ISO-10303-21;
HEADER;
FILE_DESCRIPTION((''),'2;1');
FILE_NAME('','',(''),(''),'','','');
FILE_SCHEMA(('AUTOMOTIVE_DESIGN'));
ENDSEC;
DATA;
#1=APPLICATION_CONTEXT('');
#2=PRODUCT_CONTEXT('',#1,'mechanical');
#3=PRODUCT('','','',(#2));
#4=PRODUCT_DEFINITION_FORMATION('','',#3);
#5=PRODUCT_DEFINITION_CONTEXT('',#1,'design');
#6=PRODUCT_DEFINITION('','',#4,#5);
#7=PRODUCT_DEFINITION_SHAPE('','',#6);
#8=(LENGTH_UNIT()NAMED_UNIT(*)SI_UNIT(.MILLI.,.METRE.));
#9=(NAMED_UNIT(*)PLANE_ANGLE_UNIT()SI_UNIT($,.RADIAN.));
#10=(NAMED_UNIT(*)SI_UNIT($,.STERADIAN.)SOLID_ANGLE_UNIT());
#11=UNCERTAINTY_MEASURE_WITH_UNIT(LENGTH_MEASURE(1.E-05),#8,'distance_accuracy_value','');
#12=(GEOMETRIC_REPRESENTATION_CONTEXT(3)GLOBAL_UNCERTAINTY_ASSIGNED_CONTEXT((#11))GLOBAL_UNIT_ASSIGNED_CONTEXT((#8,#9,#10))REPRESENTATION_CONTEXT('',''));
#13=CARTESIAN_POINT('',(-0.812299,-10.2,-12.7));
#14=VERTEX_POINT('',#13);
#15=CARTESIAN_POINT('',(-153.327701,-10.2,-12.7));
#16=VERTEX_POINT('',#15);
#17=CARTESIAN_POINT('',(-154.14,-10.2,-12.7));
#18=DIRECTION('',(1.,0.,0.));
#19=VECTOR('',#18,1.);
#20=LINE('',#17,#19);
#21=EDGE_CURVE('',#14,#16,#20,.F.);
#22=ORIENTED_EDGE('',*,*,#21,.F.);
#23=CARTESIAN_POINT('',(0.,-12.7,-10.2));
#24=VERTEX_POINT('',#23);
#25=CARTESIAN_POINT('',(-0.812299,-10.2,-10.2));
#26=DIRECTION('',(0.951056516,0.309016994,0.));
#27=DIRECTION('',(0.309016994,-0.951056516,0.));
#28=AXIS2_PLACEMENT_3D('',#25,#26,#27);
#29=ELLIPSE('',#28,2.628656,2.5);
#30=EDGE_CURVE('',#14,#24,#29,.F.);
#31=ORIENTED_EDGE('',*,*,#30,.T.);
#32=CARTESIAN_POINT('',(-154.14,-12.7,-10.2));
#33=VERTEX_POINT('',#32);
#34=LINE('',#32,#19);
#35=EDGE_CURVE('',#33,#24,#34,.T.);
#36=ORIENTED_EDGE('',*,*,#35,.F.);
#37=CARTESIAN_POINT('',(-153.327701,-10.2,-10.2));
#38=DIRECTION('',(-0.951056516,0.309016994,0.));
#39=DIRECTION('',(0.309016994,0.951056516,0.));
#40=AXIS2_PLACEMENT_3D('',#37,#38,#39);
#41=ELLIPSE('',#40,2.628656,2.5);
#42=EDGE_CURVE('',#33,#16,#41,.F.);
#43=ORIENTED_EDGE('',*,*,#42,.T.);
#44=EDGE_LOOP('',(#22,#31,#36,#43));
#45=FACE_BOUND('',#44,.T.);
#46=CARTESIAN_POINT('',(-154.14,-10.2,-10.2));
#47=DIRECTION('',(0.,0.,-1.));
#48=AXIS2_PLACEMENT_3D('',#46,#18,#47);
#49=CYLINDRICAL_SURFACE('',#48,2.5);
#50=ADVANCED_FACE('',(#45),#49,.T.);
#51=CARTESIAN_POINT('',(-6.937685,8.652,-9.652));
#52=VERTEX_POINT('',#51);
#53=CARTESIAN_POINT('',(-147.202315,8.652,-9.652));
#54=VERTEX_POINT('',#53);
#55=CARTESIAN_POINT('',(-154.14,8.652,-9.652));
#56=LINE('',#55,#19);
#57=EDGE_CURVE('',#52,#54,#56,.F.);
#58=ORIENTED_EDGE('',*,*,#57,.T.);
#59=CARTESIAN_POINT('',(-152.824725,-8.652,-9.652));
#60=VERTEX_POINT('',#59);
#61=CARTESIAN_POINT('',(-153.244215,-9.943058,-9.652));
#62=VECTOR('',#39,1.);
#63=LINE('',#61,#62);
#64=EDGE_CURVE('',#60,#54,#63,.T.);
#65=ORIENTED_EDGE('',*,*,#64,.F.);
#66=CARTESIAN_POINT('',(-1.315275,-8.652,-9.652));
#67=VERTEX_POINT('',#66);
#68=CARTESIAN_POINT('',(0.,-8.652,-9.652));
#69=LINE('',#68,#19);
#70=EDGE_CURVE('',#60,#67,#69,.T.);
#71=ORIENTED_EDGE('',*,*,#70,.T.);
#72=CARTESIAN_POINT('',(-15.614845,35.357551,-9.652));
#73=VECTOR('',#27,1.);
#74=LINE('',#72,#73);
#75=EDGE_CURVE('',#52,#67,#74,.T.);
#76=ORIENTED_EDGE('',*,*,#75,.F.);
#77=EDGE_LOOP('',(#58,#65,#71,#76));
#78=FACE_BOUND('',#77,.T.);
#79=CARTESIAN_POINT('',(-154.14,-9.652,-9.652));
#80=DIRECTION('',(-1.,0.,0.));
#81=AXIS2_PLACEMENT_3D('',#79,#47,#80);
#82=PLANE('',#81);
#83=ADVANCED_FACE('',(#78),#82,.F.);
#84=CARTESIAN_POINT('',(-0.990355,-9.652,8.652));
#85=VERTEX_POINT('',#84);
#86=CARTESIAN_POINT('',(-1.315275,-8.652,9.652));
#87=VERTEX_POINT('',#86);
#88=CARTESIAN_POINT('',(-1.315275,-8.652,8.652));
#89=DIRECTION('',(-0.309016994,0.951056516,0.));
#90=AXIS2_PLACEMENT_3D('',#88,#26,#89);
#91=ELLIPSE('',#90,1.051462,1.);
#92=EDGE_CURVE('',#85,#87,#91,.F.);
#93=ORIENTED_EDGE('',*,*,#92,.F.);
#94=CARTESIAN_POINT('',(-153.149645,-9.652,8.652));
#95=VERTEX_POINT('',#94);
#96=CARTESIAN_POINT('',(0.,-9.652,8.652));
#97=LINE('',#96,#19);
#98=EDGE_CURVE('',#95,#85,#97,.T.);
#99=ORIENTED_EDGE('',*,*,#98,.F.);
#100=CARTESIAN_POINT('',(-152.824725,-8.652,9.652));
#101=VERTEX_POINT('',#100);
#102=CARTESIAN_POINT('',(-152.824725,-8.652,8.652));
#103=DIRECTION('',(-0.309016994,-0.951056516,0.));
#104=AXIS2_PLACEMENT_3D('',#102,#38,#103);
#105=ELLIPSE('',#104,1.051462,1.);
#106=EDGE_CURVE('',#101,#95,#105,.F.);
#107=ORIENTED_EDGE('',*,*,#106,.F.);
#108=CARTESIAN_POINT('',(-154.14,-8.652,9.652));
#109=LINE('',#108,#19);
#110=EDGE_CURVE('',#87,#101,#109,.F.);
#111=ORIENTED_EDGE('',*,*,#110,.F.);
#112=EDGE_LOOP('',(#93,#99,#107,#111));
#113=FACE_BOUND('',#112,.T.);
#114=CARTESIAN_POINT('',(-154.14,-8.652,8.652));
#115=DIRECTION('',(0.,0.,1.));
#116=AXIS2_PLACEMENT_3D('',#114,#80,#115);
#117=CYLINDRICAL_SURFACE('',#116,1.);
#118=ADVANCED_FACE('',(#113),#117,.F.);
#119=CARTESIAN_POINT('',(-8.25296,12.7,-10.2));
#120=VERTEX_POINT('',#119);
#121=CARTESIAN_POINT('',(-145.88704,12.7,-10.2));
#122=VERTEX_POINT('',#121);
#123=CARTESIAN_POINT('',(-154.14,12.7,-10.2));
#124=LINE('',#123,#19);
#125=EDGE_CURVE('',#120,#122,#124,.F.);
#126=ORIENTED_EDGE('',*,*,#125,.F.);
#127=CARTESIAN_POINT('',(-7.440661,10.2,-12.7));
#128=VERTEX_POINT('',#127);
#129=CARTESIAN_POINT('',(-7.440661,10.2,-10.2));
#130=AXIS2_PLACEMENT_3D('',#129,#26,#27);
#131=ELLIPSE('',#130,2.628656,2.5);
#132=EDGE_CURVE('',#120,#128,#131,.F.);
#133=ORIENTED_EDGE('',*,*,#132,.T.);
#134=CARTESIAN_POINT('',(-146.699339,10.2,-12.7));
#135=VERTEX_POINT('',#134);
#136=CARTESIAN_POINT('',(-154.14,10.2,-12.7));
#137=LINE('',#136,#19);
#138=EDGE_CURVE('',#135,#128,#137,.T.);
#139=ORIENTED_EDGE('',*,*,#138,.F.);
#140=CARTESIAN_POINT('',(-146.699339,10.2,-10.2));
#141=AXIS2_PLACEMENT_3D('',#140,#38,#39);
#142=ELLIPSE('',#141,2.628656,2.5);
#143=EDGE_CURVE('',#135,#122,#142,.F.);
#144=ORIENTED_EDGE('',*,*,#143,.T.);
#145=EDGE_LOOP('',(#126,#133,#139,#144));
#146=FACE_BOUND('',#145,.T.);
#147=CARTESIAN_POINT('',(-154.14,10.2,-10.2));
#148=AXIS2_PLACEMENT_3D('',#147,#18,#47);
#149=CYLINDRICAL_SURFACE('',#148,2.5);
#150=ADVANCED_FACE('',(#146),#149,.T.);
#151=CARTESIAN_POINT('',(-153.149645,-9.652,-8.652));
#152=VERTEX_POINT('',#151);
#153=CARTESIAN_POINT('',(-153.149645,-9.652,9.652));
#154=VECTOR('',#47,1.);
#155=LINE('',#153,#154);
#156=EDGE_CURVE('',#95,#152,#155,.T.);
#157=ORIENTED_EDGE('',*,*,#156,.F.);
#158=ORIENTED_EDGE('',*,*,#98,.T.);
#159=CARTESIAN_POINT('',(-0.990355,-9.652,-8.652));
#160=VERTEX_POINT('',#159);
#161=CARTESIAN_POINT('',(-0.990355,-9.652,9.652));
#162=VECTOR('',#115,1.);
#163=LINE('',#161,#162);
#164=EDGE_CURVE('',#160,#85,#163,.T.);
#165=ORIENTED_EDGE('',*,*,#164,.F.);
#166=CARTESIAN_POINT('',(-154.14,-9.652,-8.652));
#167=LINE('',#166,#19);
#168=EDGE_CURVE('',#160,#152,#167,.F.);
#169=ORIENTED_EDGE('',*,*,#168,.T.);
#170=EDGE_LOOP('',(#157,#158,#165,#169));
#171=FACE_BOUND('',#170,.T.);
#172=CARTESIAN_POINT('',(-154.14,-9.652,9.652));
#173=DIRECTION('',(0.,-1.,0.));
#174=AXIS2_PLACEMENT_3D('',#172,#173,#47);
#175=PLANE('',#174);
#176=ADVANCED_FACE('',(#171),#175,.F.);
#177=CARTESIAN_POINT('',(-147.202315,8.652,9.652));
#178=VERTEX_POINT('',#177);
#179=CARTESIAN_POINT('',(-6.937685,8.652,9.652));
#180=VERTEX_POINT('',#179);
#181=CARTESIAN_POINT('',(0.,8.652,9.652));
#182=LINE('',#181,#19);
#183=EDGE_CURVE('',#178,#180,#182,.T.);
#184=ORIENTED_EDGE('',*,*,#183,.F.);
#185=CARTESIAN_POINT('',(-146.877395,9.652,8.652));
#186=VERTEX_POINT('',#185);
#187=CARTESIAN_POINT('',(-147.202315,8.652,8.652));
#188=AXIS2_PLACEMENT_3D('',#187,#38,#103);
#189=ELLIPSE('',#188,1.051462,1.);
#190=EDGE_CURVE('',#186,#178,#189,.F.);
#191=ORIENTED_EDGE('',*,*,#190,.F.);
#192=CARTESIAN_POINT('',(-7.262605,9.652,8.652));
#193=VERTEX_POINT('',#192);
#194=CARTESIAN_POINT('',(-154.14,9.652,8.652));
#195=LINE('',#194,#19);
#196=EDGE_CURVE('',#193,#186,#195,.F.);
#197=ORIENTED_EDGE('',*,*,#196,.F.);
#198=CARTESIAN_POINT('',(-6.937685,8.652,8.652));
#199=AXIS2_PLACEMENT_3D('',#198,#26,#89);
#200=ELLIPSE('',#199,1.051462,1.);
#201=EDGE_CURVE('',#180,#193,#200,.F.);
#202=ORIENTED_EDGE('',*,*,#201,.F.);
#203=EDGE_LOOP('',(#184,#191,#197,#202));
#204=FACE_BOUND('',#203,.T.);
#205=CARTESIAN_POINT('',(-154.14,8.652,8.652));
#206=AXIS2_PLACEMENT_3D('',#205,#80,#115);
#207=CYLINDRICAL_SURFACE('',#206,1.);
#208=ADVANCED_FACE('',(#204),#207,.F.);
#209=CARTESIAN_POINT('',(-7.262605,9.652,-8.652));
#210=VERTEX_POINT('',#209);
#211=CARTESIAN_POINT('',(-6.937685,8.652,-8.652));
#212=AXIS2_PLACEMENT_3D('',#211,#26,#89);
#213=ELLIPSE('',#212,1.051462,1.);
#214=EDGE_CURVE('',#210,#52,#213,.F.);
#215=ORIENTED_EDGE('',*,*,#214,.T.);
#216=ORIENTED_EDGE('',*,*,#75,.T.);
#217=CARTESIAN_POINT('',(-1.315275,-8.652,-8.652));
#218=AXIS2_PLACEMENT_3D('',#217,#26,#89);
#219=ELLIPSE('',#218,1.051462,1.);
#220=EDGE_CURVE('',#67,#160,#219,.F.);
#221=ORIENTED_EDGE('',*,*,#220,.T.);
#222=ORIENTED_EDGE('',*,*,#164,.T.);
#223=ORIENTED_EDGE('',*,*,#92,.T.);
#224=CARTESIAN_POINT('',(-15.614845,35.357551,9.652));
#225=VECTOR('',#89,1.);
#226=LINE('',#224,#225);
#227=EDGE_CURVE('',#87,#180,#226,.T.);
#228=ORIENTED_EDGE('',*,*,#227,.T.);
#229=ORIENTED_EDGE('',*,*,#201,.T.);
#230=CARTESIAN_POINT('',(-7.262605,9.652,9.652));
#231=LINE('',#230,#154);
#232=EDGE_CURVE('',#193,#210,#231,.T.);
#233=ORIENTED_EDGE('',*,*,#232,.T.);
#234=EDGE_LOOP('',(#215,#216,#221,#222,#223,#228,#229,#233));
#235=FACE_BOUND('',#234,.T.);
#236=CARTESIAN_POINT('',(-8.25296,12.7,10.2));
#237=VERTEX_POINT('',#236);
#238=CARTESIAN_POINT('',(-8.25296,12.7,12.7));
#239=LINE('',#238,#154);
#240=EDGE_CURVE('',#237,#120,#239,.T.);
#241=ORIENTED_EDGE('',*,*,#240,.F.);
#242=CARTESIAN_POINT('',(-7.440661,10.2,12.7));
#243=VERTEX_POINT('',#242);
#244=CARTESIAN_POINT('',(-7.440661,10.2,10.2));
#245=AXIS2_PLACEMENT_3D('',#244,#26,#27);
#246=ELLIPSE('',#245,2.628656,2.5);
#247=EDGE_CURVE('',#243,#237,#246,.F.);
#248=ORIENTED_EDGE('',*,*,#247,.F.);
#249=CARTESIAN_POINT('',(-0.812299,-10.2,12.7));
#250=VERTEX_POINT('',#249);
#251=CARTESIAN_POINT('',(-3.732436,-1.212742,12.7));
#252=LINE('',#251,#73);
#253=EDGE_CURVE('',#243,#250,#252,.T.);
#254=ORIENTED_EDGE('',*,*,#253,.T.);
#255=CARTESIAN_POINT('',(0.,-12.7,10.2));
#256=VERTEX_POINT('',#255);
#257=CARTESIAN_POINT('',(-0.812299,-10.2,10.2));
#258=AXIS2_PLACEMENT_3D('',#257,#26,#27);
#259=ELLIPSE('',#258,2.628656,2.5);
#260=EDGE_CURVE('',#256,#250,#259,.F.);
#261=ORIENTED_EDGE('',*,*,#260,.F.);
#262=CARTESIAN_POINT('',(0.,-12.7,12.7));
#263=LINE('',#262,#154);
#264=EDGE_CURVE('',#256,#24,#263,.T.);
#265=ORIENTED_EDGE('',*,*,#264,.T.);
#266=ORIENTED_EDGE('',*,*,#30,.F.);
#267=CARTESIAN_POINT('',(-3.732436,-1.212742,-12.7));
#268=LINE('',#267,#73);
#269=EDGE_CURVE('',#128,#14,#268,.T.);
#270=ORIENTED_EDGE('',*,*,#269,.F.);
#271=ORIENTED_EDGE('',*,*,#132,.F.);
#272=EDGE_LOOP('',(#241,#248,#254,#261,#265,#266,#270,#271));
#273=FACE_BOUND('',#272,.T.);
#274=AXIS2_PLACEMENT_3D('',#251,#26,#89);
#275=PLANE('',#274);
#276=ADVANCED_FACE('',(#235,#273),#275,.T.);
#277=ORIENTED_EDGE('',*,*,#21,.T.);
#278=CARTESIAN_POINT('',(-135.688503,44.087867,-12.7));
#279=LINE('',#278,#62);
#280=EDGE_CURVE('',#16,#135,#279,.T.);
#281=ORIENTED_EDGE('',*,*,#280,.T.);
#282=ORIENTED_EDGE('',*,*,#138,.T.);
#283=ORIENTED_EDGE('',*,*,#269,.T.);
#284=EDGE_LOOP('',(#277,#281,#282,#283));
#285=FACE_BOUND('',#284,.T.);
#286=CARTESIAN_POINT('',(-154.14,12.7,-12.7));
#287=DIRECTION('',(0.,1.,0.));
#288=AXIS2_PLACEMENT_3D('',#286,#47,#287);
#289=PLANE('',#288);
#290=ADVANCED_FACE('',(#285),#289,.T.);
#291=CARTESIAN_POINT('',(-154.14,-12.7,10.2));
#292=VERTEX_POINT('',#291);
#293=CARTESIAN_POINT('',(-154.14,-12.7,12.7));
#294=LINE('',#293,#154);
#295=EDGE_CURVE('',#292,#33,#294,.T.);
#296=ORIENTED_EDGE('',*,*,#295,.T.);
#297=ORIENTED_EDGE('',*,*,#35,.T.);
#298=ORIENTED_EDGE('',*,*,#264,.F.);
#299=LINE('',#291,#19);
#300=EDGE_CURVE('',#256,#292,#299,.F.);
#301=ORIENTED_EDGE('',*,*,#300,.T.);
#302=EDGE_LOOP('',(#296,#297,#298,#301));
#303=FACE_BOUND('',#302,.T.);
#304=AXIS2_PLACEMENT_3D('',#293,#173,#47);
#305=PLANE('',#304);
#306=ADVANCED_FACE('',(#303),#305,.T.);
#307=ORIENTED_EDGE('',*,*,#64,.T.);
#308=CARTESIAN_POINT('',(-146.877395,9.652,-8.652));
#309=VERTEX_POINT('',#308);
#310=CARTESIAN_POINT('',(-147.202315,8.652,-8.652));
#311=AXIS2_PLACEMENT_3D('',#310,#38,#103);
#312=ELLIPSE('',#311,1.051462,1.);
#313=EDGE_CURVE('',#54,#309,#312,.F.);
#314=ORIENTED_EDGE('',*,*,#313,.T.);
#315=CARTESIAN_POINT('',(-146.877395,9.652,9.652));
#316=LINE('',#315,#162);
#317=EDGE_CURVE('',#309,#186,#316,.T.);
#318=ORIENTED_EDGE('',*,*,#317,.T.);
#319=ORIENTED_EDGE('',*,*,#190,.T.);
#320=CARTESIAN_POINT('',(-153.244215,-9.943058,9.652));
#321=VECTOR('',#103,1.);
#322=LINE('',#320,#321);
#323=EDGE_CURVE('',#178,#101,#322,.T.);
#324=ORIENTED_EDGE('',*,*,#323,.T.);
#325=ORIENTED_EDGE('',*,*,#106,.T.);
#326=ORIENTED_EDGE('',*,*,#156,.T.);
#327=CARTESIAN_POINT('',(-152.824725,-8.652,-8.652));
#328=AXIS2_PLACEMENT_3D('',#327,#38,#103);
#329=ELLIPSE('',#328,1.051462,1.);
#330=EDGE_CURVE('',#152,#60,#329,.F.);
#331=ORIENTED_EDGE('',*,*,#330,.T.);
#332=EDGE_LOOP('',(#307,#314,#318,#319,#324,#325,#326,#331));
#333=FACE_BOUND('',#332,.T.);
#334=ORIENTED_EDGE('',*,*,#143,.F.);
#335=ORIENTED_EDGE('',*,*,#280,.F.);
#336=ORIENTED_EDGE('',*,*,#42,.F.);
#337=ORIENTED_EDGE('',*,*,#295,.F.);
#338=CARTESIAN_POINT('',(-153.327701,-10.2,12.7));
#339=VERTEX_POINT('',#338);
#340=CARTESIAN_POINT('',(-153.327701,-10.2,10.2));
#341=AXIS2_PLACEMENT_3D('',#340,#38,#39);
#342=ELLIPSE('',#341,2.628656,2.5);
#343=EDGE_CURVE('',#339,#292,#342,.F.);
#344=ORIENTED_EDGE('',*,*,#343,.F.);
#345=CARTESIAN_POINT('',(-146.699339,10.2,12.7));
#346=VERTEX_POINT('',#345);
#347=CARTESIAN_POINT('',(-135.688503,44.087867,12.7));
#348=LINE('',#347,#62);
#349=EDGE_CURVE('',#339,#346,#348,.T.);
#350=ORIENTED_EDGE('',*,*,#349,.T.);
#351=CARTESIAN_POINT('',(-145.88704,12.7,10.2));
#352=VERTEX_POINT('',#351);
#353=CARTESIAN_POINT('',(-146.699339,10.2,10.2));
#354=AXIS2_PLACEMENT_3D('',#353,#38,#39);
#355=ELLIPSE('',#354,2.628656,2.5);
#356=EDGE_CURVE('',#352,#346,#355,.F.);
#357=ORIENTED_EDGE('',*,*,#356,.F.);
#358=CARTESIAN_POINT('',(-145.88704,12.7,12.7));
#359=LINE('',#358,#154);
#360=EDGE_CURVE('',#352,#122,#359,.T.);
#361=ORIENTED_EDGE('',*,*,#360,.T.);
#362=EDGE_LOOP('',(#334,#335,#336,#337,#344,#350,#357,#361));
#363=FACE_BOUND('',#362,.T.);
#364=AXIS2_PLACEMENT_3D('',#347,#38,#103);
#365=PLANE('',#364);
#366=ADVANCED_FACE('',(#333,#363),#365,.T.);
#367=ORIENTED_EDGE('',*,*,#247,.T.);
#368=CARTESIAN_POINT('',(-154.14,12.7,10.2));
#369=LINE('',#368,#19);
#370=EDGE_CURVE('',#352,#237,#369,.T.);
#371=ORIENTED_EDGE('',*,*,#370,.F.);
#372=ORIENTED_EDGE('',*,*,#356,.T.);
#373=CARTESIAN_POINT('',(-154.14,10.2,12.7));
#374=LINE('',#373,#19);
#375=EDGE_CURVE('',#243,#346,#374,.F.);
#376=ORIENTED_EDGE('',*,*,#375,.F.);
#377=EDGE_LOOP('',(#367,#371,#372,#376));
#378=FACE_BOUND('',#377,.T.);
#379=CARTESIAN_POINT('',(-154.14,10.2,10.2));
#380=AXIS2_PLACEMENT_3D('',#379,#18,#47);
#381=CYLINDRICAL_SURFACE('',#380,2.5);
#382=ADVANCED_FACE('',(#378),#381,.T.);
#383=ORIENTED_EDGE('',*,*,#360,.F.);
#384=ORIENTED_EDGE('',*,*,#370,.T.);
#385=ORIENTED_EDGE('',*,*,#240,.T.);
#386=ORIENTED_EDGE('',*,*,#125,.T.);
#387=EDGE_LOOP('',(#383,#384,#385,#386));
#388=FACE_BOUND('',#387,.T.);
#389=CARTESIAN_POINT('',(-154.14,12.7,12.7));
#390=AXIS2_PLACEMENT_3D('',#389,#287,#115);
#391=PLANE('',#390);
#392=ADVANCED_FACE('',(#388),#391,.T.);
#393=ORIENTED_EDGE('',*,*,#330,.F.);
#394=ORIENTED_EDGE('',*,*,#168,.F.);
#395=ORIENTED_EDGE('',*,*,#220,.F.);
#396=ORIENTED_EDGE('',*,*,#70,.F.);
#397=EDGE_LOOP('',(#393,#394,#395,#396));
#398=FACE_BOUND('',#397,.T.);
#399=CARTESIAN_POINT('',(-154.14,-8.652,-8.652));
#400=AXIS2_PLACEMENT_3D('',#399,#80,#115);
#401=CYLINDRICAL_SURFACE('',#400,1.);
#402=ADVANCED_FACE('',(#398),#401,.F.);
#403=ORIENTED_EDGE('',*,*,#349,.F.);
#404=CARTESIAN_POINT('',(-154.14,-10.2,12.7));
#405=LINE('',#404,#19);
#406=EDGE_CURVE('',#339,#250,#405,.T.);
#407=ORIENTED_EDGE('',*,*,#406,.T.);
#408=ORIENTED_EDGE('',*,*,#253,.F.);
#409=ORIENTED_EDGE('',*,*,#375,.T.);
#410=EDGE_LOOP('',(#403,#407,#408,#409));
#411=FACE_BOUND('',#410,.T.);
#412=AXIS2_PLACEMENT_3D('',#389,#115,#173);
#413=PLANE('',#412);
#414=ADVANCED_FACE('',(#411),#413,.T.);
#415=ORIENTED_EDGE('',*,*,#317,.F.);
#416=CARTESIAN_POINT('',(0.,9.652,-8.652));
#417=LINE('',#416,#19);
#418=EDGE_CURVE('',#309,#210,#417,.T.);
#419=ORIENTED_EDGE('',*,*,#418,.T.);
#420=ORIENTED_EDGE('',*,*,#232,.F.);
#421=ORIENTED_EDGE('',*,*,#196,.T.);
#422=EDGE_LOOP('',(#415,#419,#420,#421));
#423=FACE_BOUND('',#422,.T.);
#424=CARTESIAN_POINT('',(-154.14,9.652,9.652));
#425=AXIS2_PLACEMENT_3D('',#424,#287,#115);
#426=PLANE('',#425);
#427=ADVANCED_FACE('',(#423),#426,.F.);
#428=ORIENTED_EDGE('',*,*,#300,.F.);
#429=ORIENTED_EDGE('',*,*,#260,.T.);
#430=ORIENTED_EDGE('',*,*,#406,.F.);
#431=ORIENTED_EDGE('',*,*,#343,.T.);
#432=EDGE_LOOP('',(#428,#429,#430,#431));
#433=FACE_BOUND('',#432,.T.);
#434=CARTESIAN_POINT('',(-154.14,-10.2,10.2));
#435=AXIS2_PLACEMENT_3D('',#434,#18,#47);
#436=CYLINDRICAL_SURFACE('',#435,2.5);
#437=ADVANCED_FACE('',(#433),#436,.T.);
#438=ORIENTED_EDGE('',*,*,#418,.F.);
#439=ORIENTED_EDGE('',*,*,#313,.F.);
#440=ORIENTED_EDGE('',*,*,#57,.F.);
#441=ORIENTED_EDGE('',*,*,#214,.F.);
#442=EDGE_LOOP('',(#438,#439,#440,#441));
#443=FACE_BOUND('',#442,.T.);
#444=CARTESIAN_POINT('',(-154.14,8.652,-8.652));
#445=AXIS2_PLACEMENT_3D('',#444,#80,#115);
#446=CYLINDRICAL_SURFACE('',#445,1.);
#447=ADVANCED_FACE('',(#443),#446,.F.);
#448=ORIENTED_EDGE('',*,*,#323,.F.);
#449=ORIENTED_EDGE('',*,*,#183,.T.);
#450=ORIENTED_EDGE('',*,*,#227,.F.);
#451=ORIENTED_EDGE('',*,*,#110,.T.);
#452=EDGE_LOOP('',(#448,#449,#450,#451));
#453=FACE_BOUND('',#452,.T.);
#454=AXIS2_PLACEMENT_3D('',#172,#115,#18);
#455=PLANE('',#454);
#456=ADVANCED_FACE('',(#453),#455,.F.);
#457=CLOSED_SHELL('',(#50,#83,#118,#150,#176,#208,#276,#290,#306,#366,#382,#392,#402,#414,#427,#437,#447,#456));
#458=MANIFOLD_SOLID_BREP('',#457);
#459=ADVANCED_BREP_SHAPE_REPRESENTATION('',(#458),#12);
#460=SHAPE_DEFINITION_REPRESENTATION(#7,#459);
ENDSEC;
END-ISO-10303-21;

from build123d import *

# Parameters (mm, degrees)
SKETCH3_W           = 25.4
SKETCH3_H           = 25.4
SKETCH3_W_2         = 19.304
SKETCH3_H_2         = 19.304
BOSS_EXTRUDE1_DEPTH = 154.14
FILLET1_R           = 2.5
FILLET2_R           = 1
CUT_EXTRUDE2_DEPTH  = 157.734136677


with BuildPart() as part:
    # Sketch3 → Boss-Extrude1 (new body)
    with BuildSketch(Plane(origin=(0, 0, 0), x_dir=(0, 0, -1), z_dir=(1, 0, 0))):
        Rectangle(SKETCH3_W, SKETCH3_H)
        Rectangle(SKETCH3_W_2, SKETCH3_H_2, mode=Mode.SUBTRACT)
    extrude(amount=-BOSS_EXTRUDE1_DEPTH)

    # Fillet1
    fillet1_edges = [part.edges().sort_by_distance(p)[0] for p in [
        (-77.07, -12.7, -12.7),
        (-77.07, -12.7, 12.7),
        (-77.07, 12.7, 12.7),
        (-77.07, 12.7, -12.7),
    ]]
    fillet(fillet1_edges, radius=FILLET1_R)

    # Fillet2
    fillet2_edges = [part.edges().sort_by_distance(p)[0] for p in [
        (-77.07, 9.652, -9.652),
        (-77.07, -9.652, -9.652),
        (-77.07, -9.652, 9.652),
        (-77.07, 9.652, 9.652),
    ]]
    fillet(fillet2_edges, radius=FILLET2_R)

    # Sketch5 → Cut-Extrude2 (cut, through all)
    with BuildSketch(Plane(origin=(0, 0, -12.7), x_dir=(-1, 0, 0), z_dir=(0, 0, -1))):
        Polygon((0, 10.2), (7.440661044, 10.2), (8.252960284, 12.7), (0, 12.7), align=None)
        Polygon((0.812299241, -10.2), (7.440661044, 10.2), (0, 10.2), (0, -10.2), align=None)
        Polygon((0, -12.7), (0.812299241, -10.2), (0, -10.2), align=None)
        Polygon((154.14, 10.2), (146.699338956, 10.2), (153.327700759, -10.2), (154.14, -10.2), align=None)
        Polygon((154.14, -10.2), (153.327700759, -10.2), (154.14, -12.7), align=None)
        Polygon((154.14, 12.7), (145.887039716, 12.7), (146.699338956, 10.2), (154.14, 10.2), align=None)
    extrude(amount=-CUT_EXTRUDE2_DEPTH, mode=Mode.SUBTRACT)


solid = part.part
